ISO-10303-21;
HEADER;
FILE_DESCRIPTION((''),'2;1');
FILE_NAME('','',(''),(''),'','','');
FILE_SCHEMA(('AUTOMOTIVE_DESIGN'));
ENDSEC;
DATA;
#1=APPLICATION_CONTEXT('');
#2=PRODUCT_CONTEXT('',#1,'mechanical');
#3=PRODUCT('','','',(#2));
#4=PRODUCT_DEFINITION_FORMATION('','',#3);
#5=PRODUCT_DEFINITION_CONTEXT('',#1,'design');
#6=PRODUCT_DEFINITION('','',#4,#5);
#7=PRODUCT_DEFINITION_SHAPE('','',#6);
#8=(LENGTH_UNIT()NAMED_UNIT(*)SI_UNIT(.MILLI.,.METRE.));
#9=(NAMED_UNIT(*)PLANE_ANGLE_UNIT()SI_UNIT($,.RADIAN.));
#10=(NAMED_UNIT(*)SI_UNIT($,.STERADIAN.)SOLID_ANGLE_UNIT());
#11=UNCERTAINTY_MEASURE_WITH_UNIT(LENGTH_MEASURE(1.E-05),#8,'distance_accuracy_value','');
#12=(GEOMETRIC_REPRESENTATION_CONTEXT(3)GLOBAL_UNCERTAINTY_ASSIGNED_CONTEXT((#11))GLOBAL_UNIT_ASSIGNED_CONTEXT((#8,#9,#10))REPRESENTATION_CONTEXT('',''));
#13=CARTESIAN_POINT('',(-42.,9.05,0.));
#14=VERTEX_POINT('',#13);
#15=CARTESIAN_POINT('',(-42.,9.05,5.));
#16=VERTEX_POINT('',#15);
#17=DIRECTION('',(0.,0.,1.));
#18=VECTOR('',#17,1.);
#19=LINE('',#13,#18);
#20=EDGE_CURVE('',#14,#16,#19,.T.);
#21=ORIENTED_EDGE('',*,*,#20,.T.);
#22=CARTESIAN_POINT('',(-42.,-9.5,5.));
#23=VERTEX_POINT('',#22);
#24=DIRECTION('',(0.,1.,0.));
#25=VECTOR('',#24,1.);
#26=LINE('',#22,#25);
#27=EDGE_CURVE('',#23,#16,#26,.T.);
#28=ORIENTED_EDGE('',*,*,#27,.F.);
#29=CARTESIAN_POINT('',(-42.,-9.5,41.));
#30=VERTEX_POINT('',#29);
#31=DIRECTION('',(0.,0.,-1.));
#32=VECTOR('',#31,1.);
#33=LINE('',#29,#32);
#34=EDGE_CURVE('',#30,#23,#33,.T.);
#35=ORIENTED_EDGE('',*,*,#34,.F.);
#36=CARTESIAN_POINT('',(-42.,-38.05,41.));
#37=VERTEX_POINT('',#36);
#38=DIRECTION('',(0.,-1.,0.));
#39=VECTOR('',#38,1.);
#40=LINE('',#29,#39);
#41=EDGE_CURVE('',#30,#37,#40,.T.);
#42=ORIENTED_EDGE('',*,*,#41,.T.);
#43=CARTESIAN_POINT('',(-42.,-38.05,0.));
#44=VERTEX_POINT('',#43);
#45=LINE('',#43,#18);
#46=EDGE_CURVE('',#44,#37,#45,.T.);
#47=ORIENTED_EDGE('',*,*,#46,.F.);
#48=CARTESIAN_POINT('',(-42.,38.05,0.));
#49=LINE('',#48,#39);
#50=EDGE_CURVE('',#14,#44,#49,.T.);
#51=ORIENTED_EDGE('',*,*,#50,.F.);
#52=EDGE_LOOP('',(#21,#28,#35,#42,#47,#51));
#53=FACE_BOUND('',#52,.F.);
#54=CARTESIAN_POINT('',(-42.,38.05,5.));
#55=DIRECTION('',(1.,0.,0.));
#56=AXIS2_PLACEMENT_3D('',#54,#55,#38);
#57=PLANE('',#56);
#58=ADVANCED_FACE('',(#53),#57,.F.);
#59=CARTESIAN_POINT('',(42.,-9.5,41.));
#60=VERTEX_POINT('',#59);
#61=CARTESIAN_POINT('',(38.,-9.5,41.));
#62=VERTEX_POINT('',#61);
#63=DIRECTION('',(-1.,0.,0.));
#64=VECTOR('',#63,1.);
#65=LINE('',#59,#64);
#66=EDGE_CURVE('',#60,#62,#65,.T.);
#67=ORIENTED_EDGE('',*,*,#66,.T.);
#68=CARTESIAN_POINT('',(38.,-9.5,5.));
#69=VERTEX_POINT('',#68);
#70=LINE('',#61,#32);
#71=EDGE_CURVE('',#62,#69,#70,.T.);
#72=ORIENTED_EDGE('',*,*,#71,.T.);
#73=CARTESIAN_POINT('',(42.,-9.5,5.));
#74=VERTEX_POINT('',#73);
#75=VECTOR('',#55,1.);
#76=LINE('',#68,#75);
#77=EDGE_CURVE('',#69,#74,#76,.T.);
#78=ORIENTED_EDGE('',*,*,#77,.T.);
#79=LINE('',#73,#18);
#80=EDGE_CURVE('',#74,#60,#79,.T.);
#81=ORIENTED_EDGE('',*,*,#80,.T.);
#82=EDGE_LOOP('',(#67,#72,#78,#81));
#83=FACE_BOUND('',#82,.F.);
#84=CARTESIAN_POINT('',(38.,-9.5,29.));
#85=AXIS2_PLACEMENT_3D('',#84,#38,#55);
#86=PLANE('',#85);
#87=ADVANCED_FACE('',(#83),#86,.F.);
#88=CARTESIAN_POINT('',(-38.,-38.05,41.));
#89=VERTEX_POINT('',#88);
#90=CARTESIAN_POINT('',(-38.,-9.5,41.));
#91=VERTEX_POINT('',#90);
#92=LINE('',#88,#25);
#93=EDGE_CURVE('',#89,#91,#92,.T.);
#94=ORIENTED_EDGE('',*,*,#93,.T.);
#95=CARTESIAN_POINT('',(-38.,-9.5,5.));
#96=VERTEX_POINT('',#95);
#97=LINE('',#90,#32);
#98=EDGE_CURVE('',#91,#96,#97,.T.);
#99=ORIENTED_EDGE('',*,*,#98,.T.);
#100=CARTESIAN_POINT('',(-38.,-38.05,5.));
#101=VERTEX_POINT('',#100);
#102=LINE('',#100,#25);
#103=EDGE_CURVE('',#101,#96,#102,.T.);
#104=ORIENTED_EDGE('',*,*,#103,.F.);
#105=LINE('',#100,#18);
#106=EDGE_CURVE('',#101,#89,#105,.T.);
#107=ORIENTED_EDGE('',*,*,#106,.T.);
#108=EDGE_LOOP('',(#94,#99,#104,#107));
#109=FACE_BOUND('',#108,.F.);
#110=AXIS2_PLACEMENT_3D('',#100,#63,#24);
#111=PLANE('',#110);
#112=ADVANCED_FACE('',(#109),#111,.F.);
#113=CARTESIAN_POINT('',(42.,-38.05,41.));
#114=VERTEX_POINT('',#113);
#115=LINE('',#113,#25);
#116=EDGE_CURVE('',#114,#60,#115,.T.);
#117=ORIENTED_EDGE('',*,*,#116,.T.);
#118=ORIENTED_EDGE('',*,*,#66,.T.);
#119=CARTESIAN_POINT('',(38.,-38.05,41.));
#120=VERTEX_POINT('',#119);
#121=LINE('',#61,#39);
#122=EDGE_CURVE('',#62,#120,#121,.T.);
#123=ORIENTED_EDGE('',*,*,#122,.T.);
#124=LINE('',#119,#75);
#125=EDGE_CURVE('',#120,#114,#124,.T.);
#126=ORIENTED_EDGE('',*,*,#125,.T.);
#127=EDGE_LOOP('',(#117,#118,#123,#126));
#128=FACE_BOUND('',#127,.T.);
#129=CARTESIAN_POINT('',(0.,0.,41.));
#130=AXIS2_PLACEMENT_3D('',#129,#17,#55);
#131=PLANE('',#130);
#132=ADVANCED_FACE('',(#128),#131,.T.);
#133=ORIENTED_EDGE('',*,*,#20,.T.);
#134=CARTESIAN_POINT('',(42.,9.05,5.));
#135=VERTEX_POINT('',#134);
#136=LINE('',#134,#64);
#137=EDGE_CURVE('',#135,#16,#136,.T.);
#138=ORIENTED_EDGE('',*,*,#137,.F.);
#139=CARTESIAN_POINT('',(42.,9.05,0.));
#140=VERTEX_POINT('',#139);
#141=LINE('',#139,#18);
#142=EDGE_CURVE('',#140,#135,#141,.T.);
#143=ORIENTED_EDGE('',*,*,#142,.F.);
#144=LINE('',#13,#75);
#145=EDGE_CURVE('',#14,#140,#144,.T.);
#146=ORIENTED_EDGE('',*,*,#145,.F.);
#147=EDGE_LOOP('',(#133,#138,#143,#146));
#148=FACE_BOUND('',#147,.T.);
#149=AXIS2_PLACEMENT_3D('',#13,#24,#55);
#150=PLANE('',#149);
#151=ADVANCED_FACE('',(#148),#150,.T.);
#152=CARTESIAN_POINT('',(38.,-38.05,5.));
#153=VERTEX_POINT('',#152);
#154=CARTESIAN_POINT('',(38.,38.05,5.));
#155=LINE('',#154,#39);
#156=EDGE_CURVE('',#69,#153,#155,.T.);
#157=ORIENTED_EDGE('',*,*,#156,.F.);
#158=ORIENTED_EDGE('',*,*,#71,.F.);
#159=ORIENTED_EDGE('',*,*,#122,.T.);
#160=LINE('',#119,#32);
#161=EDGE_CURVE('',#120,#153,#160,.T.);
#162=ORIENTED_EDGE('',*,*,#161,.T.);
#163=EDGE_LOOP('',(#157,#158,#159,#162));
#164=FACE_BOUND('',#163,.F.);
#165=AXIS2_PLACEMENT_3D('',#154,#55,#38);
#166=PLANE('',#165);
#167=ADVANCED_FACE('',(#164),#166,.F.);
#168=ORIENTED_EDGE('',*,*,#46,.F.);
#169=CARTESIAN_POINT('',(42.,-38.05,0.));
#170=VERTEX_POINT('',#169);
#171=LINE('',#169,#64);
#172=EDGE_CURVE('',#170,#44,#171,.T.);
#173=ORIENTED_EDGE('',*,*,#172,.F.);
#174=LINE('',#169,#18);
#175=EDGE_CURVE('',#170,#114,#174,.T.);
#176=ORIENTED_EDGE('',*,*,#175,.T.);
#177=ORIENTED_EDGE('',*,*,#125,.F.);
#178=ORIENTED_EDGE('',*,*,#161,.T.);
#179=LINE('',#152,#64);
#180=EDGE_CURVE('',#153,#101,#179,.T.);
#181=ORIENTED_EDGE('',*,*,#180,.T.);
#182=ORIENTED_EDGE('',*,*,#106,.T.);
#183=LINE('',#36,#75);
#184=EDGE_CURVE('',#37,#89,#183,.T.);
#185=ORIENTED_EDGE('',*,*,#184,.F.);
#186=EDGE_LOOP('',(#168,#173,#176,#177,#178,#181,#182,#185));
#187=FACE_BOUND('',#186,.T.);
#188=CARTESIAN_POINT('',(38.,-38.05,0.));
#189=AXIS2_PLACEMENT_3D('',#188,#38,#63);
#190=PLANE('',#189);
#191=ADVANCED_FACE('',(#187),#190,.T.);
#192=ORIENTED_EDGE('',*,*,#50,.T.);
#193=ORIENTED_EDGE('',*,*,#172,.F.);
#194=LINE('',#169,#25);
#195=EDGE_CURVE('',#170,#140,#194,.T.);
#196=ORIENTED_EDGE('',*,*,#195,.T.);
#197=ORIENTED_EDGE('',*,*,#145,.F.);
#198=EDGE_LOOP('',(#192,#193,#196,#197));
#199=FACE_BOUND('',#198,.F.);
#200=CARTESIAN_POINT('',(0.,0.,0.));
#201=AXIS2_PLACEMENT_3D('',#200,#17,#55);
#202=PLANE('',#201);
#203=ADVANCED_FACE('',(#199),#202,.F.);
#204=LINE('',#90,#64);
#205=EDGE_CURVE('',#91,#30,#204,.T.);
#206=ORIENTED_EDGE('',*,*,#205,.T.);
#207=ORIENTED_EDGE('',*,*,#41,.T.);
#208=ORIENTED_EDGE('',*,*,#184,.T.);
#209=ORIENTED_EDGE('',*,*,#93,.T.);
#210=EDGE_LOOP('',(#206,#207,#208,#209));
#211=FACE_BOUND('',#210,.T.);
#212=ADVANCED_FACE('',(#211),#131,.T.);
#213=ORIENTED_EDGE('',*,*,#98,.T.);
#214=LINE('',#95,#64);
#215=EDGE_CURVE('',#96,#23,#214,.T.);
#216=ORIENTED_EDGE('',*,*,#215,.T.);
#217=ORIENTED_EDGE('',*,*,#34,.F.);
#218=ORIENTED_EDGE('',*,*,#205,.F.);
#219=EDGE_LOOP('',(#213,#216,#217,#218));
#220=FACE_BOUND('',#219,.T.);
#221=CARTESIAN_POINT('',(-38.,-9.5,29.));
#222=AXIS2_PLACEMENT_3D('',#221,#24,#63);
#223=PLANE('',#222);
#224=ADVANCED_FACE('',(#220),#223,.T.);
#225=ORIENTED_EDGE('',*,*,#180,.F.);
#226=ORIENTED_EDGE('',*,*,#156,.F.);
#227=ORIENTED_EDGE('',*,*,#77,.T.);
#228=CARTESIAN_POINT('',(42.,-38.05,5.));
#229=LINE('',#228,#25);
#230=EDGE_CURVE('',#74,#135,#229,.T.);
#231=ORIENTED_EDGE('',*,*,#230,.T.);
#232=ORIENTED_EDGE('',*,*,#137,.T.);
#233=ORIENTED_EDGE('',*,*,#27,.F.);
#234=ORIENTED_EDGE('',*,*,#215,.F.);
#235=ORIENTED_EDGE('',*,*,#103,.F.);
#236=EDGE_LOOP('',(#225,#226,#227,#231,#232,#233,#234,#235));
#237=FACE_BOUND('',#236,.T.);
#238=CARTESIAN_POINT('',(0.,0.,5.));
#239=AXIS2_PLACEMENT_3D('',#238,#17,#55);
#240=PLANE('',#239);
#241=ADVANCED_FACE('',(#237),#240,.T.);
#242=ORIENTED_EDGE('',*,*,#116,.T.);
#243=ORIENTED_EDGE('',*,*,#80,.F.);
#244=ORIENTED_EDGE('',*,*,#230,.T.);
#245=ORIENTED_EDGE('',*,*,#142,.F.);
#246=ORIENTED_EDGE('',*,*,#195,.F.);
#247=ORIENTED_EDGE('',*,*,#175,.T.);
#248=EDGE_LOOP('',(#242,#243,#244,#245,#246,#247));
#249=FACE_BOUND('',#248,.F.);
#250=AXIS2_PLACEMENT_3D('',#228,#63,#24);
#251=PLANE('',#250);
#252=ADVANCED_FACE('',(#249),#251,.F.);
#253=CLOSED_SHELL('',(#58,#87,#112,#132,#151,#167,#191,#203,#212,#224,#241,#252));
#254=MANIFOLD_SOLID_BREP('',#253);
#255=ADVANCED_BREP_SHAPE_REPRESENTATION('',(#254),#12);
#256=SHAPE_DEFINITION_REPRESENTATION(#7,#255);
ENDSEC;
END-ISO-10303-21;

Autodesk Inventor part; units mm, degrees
ref_plane "YZ Plane" through (0, 0, 0) normal (1, 0, 0) x (0, 1, 0)
ref_plane "XZ Plane" through (0, 0, 0) normal (0, 1, 0) x (-1, 0, 0)
ref_plane "XY Plane" through (0, 0, 0) normal (0, 0, 1) x (1, 0, 0)
sketch "Эскиз1" plane through (0, 0, 0) normal (0, 0, 1) x (1, 0, 0)
  line L0 (-38, 52.38) -> (38, 52.38) construction
  line L1 (38, 52.38) -> (38, -52.38) construction
  line L2 (38, -52.38) -> (-38, -52.38) construction
  line L3 (-38, -52.38) -> (-38, 52.38) construction
  line L4 (-26.6205, -33.05) -> (26.6205, -33.05) construction
  line L5 (26.6205, -33.05) -> (26.6205, 33.05) construction
  line L6 (26.6205, 33.05) -> (-26.6205, 33.05) construction
  line L7 (-26.6205, 33.05) -> (-26.6205, -33.05) construction
  line L8 (0, 33.05) -> (0, 38.05) construction
  line L9 (0, -33.05) -> (0, -38.05) construction
  line L10 (-38, 38.05) -> (38, 38.05)
  line L11 (38, 38.05) -> (38, -38.05)
  line L12 (38, -38.05) -> (-38, -38.05)
  line L13 (-38, -38.05) -> (-38, 38.05)
  dimension "d0" = 76
  dimension "d1" = 104.76
  dimension "d2" = 53.241
  dimension "d3" = 66.1
  dimension "d4" = 5
  dimension "d5" = 5
extrude "Выдавливание1" add sketch "Эскиз1" along normal blind 5
sketch "Эскиз2" plane through (0, 0, 5) normal (0, 0, 1) x (1, 0, 0)
  line L0 (38, 38.05) -> (38, -38.05) projected
  line L1 (-38, -38.05) -> (-38, 38.05) projected
  line L2 (-38, 38.05) -> (-38, -38.05) projected
  line L3 (-38, -38.05) -> (-42, -38.05)
  line L4 (38, 38.05) -> (42, 38.05)
  line L5 (42, -38.05) -> (42, 38.05)
  line L6 (-42, 38.05) -> (-42, -38.05)
  line L7 (-38, -38.05) -> (-38, 38.05)
  line L8 (38, 38.05) -> (-38, 38.05) projected
  line L9 (38, 38.05) -> (38, -38.05)
  line L10 (42, 38.05) -> (38, 38.05)
  line L11 (-38, 38.05) -> (-42, 38.05)
  line L12 (-42, -38.05) -> (-38, -38.05)
  line L13 (38, -38.05) -> (42, -38.05)
  point P0 (0, 0)
  dimension "d8" = 4
  dimension "d9" = 4
extrude "Выдавливание2" add sketch "Эскиз2" along normal blind 24 and the other way blind 5
sketch "Эскиз3" plane through (0, 0, 29) normal (0, 0, 1) x (1, 0, 0)
  line L0 (38, 38.05) -> (38, -38.05) projected
  line L1 (38, -38.05) -> (42, -38.05) projected
  line L2 (42, -38.05) -> (42, 38.05) projected
  line L3 (42, 38.05) -> (38, 38.05) projected
  line L4 (42, 9.5) -> (38, 9.5)
  line L5 (38, 9.5) -> (38, -9.5)
  line L6 (38, -9.5) -> (42, -9.5)
  line L7 (42, -9.5) -> (42, 9.5)
  line L8 (42, 9.5) -> (38, -9.5) construction
  line L9 (38, 9.5) -> (42, -9.5) construction
  line L10 (0, 0) -> (0, -84) construction
  line L11 (-42, 9.5) -> (-38, 9.5)
  line L12 (-38, -9.5) -> (-42, -9.5)
  line L13 (-38, 9.5) -> (-38, -9.5) construction
  line L14 (-38, 38.05) -> (-38, -38.05) construction
  line L15 (-42, 9.5) -> (-42, -9.5) construction
  line L16 (-42, 38.05) -> (-42, -38.05) construction
  line L17 (-38, 9.5) -> (-38, -9.5)
  line L18 (-42, -9.5) -> (-42, 9.5)
  point P0 (40, 0)
  dimension "d14" = 4
  dimension "d15" = 19
extrude "Выдавливание3" cut sketch "Эскиз3" against normal up to surface (24 mm away) contours L4 L2 L6 L0 | L11 L17 L12 L18
sketch "Эскиз4" plane through (-42, 38.05, 0) normal (0, 1, 0) x (1, 0, 0)
  line L0 (0, 0) -> (84, 0) projected
  line L1 (0, 0) -> (0, -29) projected
  line L2 (4, -29) -> (0, -29) projected
  line L3 (4, -29) -> (4, -5) projected
  line L4 (80, -5) -> (4, -5) projected
  line L5 (80, -29) -> (80, -5) projected
  line L6 (84, -29) -> (80, -29) projected
  line L7 (84, 0) -> (84, -29) projected
  point P0 (42, 0)
extrude "Выдавливание4" cut sketch "Эскиз4" against normal blind 29
sketch "Эскиз5" plane through (0, 0, 29) normal (0, 0, 1) x (1, 0, 0)
  line L0 (-38, -9.5) -> (-42, -9.5) projected
  line L1 (-42, -9.5) -> (-42, -38.05) projected
  line L2 (-42, -38.05) -> (-38, -38.05) projected
  line L3 (-38, -38.05) -> (-38, -9.5) projected
  line L4 (42, -9.5) -> (38, -9.5) projected
  line L5 (38, -9.5) -> (38, -38.05) projected
  line L6 (38, -38.05) -> (42, -38.05) projected
  line L7 (42, -38.05) -> (42, -9.5) projected
  point P0 (0, 0)
extrude "Выдавливание5" add sketch "Эскиз5" along normal blind 12
properties part number "Ard for BR"
